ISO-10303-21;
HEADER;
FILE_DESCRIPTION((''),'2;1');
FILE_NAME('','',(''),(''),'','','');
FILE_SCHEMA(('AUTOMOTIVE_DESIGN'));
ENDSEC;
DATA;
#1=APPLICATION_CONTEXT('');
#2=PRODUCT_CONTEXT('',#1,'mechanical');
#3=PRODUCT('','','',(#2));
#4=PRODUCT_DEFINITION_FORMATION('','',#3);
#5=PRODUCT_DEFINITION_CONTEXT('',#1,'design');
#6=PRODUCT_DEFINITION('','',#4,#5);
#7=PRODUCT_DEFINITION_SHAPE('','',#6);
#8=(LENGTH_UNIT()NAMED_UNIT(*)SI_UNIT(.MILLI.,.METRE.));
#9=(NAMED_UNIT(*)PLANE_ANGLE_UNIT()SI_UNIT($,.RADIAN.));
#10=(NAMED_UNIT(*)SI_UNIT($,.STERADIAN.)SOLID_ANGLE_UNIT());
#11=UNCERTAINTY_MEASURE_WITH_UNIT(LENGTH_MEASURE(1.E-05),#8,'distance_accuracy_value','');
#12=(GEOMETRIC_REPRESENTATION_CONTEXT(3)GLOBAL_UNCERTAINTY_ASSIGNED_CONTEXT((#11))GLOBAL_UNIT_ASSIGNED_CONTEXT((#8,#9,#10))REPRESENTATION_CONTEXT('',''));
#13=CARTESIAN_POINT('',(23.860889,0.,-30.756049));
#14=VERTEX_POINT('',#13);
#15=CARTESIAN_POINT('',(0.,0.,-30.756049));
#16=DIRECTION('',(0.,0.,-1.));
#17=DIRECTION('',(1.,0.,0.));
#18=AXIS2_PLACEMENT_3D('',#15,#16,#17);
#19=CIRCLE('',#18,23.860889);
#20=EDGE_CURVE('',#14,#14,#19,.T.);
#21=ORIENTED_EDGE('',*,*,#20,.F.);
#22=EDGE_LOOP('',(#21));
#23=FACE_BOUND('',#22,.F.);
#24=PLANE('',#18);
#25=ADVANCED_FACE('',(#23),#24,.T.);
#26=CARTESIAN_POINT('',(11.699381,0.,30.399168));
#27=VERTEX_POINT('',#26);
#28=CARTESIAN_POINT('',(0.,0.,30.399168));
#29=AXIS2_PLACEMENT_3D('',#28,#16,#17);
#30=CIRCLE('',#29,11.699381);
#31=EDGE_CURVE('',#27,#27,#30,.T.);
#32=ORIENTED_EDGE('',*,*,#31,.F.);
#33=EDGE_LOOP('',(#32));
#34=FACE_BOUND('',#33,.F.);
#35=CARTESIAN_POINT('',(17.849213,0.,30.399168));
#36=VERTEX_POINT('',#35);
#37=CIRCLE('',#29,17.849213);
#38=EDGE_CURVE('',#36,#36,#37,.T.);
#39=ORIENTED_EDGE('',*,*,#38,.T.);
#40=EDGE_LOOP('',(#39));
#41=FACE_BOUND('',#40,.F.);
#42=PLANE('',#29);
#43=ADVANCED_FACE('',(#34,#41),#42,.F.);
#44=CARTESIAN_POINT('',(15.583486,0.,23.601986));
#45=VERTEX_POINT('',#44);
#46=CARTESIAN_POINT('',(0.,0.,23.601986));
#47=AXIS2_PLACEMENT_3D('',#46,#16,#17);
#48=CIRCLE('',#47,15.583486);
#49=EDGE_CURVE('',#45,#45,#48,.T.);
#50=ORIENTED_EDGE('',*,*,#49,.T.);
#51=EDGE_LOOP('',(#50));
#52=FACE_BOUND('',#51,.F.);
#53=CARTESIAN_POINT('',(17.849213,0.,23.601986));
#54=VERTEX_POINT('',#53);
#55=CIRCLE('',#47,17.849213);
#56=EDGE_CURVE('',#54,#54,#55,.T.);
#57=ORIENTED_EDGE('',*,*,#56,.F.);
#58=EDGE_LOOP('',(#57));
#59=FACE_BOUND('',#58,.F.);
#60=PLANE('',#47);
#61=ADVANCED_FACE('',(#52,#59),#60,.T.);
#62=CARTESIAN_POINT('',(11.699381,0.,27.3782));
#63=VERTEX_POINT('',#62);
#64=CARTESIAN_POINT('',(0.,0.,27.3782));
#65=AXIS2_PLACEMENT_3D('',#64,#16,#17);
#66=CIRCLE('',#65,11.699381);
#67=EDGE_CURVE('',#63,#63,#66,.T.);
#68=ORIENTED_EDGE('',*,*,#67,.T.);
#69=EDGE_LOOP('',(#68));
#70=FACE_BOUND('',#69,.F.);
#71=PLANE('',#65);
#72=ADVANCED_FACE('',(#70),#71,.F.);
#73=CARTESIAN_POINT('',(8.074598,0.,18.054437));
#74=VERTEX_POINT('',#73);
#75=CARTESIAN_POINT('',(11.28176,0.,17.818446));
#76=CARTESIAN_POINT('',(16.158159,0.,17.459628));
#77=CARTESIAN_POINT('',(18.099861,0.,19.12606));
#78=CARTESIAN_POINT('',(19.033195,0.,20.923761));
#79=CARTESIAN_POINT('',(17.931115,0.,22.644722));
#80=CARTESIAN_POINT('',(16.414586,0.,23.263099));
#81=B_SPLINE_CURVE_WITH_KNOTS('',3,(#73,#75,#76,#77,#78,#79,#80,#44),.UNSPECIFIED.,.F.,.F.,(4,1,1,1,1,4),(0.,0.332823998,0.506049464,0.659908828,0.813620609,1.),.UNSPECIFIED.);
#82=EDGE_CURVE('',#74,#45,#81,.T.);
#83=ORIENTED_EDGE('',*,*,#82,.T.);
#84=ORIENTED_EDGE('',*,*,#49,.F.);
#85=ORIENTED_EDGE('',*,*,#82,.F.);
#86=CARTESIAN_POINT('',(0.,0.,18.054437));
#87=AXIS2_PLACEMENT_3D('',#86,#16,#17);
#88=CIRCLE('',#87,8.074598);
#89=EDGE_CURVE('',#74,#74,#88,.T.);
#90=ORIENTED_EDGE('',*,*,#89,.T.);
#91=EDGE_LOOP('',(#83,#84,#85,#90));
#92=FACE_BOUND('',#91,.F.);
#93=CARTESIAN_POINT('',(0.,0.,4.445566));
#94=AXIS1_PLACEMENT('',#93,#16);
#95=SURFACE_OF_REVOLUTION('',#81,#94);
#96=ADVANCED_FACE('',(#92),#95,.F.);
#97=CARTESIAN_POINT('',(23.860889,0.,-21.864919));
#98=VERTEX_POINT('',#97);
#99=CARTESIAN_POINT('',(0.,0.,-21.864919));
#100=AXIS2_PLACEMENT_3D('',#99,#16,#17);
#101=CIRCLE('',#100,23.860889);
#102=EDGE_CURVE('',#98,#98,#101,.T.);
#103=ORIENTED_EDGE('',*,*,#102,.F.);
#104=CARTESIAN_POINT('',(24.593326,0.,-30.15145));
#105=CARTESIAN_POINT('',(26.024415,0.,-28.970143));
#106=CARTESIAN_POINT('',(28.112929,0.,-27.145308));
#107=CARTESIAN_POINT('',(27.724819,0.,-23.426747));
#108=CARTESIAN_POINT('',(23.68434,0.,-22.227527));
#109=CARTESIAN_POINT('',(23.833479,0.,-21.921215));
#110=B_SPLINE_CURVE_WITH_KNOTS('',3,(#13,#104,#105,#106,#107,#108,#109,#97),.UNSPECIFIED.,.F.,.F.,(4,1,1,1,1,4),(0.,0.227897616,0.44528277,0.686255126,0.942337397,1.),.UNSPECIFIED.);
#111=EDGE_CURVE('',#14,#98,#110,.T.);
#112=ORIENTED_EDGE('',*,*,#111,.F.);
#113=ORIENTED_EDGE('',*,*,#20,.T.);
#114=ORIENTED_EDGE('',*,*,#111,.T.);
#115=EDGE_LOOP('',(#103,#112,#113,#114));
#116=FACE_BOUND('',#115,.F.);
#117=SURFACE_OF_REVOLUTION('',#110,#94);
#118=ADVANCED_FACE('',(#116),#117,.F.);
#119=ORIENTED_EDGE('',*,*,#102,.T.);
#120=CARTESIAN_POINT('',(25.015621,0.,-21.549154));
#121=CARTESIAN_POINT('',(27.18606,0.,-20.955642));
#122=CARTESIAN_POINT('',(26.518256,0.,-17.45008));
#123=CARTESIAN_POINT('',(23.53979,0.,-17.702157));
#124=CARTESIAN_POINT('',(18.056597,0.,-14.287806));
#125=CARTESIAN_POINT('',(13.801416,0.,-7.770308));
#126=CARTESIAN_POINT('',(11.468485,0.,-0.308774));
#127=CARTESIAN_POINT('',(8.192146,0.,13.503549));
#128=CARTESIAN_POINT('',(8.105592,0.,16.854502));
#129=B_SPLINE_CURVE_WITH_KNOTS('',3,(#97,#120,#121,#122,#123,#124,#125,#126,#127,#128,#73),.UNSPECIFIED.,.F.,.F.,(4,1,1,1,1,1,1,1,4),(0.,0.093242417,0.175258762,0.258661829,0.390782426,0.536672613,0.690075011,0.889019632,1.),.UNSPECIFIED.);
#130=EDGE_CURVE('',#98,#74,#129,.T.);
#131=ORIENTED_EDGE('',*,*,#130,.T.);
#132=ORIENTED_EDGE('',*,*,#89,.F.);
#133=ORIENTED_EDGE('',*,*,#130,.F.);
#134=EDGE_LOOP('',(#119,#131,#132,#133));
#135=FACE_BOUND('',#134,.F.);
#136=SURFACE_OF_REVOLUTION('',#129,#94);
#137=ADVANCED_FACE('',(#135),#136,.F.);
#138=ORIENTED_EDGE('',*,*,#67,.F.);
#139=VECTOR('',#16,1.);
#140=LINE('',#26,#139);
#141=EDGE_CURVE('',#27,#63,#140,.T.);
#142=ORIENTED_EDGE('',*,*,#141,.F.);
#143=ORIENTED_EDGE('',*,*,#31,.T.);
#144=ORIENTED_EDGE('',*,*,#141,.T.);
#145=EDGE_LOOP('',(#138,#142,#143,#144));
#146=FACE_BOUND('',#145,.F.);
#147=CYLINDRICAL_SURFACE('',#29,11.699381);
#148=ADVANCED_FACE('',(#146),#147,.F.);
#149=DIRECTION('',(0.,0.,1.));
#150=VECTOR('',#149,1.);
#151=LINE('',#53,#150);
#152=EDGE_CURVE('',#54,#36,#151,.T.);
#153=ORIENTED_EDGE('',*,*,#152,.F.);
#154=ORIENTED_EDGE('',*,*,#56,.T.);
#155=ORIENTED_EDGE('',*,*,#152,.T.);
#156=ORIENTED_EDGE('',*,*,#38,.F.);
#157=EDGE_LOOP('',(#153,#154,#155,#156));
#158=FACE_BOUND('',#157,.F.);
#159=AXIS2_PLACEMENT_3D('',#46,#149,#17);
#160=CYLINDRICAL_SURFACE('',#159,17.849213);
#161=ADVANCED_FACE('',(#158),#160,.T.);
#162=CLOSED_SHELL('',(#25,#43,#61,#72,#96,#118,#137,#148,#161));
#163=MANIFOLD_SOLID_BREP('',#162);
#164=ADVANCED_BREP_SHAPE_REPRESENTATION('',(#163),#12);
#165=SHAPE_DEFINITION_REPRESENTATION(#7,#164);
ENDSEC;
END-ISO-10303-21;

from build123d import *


with BuildPart() as f1:
    # F0 (on Front) → F1 (revolve)
    with BuildSketch(Plane.XZ):
        with BuildLine():
            Line((11.6993812844, 27.378199622), (0, 27.378199622))
            Line((0, 27.378199622), (0, -30.7560488582))
            Line((0, -30.7560488582), (23.8608885556, -30.7560488582))
            add(Edge.make_bspline(
                [(23.8608885556, -30.7560488582), (24.5933260941, -30.1514504341), (26.0244152867, -28.9701425065), (28.1129288139, -27.1453076724), (27.724819491, -23.4267474423), (23.6843399938, -22.2275266084), (23.8334786345, -21.9212153789), (23.8608885556, -21.8649189919)],
                knots=[0, 0, 0, 0, 0.2278976163, 0.4452827695, 0.6862551255, 0.9423373969, 1, 1, 1, 1], degree=3))
            add(Edge.make_bspline(
                [(23.8608885556, -21.8649189919), (25.0156210056, -21.5491542532), (27.1860600174, -20.9556417842), (26.5182559869, -17.4500804997), (23.5397902626, -17.7021570545), (18.0565972261, -14.2878060097), (13.8014158542, -7.7703084137), (11.4684846903, -0.3087738395), (8.1921464828, 13.5035493763), (8.1055923638, 16.8545016516), (8.0745983869, 18.0544368923)],
                knots=[0, 0, 0, 0, 0.093242417, 0.1752587618, 0.2586618288, 0.3907824261, 0.536672613, 0.6900750113, 0.8890196322, 1, 1, 1, 1], degree=3))
            add(Edge.make_bspline(
                [(8.0745983869, 18.0544368923), (11.2817604302, 17.8184456192), (16.1581594981, 17.4596275711), (18.099860581, 19.1260604946), (19.0331946236, 20.9237611344), (17.9311149535, 22.6447217964), (16.4145861338, 23.2630987521), (15.5834862962, 23.6019864678)],
                knots=[0, 0, 0, 0, 0.3328239979, 0.5060494641, 0.6599088276, 0.8136206088, 1, 1, 1, 1], degree=3))
            Line((15.5834862962, 23.6019864678), (17.8492125124, 23.6019864678))
            Line((17.8492125124, 23.6019864678), (17.8492125124, 30.3991679102))
            Line((17.8492125124, 30.3991679102), (11.6993812844, 30.3991679102))
            Line((11.6993812844, 30.3991679102), (11.6993812844, 27.378199622))
        make_face()
    revolve(axis=Axis((0, 0, 4.4455658644), (0, 0, -1)))


solid = f1.part
